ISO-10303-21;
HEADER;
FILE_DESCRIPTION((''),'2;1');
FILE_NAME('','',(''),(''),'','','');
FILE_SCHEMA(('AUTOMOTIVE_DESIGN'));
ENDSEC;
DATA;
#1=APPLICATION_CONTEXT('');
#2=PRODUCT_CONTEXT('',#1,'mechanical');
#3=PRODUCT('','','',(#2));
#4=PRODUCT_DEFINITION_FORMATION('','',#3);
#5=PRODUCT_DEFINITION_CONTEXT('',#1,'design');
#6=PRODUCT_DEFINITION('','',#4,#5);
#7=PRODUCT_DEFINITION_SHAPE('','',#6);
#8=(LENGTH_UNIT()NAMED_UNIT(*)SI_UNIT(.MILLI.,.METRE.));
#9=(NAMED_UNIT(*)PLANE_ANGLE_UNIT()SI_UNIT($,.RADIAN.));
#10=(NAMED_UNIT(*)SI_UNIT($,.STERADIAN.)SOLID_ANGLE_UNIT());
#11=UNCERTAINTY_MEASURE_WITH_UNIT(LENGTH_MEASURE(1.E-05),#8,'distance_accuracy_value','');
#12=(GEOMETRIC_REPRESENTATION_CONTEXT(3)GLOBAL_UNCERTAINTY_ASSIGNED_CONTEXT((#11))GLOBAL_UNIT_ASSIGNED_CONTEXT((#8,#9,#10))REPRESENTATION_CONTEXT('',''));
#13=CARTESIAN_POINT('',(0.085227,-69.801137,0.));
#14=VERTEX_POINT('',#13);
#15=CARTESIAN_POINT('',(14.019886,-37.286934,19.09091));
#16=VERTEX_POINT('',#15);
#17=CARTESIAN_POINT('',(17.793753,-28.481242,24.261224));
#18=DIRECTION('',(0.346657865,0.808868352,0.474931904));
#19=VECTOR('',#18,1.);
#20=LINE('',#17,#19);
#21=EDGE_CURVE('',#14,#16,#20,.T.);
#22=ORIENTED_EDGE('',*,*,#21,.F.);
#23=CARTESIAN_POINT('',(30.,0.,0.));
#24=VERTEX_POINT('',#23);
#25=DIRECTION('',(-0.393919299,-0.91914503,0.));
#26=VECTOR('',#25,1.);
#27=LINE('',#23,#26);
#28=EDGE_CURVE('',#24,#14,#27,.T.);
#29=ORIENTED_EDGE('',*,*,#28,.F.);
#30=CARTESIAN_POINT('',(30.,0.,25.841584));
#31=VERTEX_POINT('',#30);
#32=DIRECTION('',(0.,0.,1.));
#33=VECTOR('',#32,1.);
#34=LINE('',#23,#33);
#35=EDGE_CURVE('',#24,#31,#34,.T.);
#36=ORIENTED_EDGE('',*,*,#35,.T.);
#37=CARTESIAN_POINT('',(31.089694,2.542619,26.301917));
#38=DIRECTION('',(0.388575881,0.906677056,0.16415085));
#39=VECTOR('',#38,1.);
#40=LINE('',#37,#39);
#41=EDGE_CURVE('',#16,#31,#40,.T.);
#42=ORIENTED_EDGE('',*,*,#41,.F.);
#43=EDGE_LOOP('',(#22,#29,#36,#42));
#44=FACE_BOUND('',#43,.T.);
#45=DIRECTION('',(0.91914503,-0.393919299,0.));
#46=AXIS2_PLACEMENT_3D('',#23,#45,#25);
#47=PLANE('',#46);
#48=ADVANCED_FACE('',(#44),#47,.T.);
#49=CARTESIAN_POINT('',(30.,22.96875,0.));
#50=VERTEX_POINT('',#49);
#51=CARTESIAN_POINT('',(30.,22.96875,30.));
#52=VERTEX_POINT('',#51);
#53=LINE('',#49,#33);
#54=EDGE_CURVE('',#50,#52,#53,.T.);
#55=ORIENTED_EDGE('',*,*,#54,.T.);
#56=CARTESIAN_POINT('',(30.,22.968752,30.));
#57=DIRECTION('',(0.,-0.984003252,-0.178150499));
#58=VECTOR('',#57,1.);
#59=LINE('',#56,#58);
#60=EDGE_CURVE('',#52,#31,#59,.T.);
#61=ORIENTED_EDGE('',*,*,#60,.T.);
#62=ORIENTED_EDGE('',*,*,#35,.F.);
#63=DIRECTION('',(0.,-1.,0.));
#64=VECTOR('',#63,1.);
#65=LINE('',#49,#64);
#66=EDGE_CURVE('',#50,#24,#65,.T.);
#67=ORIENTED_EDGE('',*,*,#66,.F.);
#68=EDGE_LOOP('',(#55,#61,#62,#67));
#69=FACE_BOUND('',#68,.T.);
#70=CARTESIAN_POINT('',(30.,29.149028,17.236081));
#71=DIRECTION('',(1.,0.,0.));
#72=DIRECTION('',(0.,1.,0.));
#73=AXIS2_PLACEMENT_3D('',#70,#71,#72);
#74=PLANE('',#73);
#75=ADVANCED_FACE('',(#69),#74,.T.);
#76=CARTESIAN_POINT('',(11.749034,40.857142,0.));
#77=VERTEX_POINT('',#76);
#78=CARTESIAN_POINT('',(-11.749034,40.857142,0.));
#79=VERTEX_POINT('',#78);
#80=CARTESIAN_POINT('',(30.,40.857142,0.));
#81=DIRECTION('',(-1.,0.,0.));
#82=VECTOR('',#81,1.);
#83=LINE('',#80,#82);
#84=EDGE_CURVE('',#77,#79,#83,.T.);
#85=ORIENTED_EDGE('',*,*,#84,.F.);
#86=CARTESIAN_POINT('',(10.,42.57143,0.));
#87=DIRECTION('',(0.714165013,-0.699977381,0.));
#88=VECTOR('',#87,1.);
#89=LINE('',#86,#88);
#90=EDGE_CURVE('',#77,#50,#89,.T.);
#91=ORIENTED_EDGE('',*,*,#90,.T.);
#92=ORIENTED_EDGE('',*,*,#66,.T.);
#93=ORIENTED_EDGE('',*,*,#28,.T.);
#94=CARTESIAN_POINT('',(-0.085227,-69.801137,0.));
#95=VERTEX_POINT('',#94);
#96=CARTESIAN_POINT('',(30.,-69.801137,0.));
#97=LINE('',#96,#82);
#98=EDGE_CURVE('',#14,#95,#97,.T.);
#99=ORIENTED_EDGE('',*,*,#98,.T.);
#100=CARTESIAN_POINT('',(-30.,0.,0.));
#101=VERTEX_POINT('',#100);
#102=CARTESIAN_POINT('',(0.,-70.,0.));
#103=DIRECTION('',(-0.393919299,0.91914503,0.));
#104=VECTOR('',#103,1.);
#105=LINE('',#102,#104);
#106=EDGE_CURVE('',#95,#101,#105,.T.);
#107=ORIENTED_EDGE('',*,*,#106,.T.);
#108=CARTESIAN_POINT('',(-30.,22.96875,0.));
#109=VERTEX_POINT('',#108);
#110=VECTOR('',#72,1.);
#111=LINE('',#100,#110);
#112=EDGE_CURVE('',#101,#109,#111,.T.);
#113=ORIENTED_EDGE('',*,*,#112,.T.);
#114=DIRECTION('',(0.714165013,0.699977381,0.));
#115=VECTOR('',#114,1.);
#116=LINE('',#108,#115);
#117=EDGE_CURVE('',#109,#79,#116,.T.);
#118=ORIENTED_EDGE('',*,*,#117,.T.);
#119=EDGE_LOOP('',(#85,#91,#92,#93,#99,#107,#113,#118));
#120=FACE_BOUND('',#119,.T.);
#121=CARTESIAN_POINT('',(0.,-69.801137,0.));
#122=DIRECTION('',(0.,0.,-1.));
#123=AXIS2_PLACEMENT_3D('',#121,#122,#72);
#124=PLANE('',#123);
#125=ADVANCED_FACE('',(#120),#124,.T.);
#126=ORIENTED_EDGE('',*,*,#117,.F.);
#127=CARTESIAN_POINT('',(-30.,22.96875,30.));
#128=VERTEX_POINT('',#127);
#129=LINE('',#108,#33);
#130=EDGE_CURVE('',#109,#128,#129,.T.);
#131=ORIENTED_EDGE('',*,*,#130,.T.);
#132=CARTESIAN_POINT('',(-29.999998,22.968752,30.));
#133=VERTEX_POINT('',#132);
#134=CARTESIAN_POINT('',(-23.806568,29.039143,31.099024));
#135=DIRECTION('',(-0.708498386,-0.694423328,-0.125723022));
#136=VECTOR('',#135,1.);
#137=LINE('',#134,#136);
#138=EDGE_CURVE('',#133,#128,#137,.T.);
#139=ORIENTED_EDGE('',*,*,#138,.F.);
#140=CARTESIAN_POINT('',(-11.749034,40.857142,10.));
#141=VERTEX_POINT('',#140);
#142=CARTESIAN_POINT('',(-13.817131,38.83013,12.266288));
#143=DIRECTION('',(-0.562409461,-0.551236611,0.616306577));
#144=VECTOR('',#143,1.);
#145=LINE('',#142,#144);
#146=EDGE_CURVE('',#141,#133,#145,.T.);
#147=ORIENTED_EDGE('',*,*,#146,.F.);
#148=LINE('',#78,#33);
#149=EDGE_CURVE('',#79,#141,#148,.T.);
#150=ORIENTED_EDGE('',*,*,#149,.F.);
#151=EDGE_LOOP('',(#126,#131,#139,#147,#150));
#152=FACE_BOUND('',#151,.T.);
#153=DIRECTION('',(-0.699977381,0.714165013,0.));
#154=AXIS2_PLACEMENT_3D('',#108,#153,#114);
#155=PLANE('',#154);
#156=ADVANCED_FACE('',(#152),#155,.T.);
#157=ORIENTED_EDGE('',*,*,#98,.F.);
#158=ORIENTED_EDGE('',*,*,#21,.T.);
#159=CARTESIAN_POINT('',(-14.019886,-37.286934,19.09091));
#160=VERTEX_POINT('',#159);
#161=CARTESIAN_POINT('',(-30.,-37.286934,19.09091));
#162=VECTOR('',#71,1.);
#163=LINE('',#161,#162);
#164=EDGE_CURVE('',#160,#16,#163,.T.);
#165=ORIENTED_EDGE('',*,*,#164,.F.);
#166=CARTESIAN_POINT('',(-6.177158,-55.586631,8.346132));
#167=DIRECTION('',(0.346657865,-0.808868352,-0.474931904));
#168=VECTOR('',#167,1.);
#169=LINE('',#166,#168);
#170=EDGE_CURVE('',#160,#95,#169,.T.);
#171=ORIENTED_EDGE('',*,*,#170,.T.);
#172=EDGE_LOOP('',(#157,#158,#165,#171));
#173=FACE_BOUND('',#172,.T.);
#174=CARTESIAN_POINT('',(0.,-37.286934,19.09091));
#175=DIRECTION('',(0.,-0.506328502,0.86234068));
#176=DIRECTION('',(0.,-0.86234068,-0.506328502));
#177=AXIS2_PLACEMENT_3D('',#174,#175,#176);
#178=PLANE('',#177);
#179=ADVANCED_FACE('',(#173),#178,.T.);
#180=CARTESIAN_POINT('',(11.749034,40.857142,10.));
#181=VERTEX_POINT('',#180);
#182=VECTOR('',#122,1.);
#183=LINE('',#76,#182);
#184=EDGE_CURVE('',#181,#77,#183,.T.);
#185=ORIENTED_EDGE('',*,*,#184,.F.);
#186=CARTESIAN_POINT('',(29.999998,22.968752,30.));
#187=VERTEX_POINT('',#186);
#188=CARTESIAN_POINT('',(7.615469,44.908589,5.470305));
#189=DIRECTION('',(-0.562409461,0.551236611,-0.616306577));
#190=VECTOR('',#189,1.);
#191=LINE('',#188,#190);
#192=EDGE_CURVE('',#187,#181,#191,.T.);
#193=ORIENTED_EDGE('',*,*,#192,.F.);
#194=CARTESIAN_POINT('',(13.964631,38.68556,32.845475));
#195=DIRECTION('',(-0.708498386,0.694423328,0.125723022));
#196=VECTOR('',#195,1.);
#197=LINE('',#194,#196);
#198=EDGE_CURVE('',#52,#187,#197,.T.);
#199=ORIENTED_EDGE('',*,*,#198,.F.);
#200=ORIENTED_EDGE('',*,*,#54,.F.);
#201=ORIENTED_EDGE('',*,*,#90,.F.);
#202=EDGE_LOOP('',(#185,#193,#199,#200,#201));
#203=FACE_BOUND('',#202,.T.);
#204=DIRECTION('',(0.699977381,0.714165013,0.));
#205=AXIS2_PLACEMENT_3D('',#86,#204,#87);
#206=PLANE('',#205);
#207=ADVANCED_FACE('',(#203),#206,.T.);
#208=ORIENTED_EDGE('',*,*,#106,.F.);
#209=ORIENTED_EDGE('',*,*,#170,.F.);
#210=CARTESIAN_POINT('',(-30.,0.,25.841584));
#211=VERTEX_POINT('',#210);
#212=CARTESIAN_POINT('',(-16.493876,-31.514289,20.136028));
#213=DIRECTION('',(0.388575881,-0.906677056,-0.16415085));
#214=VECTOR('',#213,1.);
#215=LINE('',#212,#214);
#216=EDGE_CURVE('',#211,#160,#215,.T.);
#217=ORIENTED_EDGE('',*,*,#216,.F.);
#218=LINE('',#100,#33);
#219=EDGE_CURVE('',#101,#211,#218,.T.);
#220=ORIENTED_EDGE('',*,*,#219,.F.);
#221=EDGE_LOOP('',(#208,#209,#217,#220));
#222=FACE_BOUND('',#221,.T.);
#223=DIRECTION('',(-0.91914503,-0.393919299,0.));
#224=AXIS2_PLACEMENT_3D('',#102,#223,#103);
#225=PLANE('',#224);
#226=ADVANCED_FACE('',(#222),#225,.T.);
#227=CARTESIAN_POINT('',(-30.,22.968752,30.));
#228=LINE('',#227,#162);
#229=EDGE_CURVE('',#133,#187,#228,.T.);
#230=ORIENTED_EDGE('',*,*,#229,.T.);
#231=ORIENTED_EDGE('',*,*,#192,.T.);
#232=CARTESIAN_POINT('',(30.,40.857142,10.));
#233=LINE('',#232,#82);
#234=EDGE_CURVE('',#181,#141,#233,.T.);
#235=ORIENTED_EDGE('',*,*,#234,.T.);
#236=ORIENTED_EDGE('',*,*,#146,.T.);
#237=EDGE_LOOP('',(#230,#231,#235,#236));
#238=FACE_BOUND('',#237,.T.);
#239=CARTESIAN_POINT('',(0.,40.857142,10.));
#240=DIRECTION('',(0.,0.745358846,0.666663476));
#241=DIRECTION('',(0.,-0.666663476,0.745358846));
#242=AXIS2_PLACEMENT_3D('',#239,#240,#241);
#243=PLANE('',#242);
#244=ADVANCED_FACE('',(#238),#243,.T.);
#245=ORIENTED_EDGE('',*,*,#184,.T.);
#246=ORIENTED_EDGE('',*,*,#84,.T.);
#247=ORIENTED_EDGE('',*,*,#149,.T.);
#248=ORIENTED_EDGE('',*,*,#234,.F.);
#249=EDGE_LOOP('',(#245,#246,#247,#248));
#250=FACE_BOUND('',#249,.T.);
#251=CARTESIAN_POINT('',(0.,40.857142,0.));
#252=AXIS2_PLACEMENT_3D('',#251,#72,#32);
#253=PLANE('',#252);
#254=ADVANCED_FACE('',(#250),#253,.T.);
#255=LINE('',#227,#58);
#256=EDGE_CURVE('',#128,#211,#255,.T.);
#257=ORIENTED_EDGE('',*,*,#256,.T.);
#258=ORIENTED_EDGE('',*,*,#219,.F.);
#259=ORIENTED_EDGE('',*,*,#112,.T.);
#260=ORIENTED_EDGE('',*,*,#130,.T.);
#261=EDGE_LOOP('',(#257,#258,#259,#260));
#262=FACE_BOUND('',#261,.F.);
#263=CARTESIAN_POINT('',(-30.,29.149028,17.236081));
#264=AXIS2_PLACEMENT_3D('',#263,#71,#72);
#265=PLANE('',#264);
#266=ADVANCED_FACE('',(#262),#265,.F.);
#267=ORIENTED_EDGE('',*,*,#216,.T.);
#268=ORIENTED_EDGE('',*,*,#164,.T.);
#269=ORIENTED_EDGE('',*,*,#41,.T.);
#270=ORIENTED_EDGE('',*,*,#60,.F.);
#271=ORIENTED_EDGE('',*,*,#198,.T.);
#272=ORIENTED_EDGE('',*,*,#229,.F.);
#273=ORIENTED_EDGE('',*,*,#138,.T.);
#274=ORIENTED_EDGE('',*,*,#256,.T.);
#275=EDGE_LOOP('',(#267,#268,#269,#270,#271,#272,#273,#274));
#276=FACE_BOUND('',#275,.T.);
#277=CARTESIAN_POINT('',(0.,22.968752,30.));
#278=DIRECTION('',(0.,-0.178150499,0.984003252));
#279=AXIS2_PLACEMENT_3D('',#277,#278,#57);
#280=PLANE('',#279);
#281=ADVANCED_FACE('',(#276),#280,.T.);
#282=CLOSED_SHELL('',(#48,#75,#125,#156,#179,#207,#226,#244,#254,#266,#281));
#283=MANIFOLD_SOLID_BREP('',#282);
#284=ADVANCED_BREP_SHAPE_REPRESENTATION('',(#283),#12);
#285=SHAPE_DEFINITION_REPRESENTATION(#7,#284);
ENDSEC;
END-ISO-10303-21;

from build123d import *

# Parameters (mm, degrees)
F1_DEPTH      = 30
F1_DEPTH_BACK = 30
F2_W          = 128.9662867785
F2_H          = 144.6911841631
F3_DEPTH      = 40


with BuildPart() as f1:
    # F0 (on Right) → F1 (new body, two sides)
    with BuildSketch(Plane.YZ) as f1_sk:
        Polygon((22.9687523097, 10), (40.8571420161, 10), (22.9687523097, 30), align=None)
        Polygon((-69.8011368513, 0), (0, 0), (40.8571420161, 0), (40.8571420161, 10), (22.9687523097, 10), (22.9687523097, 30), (-37.2869335115, 19.0909095109), align=None)
    extrude(amount=F1_DEPTH)
    extrude(f1_sk.sketch, amount=-F1_DEPTH_BACK)

    # F2 (on Top) → F3 (cut)
    with BuildSketch(Plane.XY):
        with Locations((1.7579421401, -5.0404667854)):
            Rectangle(F2_W, F2_H)
        Polygon((-10, 42.5714296164), (0, 42.5714296164), (10, 42.5714296164), (30, 22.968750447), (30, 0), (0, -70), (-30, 0), (-30, 22.968750447), align=None, mode=Mode.SUBTRACT)
    extrude(amount=F3_DEPTH, mode=Mode.SUBTRACT)


solid = f1.part
